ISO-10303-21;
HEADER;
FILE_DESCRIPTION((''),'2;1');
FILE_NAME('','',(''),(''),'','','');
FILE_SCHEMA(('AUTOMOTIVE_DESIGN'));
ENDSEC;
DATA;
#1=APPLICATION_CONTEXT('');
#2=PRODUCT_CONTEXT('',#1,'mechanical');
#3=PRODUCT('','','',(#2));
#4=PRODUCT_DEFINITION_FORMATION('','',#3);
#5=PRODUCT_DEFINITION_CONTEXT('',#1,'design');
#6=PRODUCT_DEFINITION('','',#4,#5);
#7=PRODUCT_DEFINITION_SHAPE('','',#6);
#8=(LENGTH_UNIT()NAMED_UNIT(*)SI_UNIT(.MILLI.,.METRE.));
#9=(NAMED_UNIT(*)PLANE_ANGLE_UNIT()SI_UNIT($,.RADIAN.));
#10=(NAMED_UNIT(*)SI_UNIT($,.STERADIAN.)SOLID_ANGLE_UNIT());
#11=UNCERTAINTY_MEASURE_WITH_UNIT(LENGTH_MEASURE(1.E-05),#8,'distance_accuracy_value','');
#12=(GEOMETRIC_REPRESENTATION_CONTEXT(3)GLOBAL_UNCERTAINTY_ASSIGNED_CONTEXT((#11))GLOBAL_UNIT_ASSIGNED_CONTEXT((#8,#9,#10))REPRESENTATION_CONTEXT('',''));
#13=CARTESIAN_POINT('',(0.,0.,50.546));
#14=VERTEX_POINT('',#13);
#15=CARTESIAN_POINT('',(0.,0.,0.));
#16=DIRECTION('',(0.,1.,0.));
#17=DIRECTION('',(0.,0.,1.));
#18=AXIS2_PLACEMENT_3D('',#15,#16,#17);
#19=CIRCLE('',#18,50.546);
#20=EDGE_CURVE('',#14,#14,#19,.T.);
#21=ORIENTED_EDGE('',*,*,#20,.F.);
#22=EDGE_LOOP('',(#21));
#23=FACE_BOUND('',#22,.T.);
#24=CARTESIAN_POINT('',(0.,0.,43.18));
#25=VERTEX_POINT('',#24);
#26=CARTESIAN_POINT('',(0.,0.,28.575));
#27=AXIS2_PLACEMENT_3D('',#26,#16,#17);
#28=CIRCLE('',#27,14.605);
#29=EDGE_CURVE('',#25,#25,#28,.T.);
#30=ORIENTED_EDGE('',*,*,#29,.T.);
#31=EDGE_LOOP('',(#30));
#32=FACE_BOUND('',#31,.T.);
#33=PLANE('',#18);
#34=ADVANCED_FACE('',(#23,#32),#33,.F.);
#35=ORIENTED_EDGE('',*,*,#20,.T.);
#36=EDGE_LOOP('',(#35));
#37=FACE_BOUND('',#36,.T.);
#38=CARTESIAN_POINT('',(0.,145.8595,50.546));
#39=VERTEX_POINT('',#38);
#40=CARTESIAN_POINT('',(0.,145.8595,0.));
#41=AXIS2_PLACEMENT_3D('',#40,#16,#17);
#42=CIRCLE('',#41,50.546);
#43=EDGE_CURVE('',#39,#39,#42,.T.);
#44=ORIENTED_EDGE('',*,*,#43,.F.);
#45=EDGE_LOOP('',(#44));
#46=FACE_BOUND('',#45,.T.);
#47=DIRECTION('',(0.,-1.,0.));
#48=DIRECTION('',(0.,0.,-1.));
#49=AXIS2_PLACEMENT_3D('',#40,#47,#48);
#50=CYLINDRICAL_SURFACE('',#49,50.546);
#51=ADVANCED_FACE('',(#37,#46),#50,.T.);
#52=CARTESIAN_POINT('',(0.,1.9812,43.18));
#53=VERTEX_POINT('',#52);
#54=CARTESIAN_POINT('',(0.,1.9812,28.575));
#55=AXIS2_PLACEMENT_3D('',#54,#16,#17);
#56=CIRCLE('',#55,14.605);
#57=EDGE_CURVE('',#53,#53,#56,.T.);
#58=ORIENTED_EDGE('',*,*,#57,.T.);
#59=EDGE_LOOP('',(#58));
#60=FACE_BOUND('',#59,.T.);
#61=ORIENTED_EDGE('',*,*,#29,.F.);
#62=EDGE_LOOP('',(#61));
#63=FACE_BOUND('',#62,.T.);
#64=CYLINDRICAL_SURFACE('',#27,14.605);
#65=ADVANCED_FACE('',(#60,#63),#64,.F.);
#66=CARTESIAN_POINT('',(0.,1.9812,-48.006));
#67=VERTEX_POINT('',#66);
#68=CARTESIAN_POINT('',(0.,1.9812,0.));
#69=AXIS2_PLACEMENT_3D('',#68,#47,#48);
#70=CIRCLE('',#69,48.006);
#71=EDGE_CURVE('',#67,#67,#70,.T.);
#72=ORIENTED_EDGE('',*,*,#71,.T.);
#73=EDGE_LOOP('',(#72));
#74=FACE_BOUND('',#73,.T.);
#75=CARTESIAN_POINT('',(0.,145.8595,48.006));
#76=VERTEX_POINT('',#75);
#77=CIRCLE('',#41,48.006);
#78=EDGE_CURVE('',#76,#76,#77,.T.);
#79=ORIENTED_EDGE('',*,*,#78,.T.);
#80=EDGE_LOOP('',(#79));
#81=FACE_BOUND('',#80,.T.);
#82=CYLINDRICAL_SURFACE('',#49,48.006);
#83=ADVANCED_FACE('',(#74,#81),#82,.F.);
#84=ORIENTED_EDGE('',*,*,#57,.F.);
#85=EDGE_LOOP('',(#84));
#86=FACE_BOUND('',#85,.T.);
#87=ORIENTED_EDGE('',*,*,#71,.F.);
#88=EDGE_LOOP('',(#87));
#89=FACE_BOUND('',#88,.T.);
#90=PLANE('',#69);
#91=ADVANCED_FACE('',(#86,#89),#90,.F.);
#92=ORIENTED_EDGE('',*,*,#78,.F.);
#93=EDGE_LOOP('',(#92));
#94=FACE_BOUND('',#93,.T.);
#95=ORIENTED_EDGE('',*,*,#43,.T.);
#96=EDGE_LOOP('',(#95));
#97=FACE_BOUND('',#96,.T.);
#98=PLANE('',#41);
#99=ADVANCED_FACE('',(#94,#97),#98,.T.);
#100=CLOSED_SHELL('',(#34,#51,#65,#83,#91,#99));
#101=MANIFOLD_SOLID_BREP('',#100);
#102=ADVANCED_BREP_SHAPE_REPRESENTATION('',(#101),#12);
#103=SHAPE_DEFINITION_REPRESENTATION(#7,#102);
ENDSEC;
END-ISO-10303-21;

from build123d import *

# Parameters (mm, degrees)
SKETCH1_R           = 50.546
SKETCH1_R_2         = 48.006
BOSS_EXTRUDE1_DEPTH = 145.8595
SKETCH2_R           = 50.546
BOSS_EXTRUDE2_DEPTH = 1.9812
SKETCH3_R           = 14.605
CUT_EXTRUDE1_DEPTH  = 161.657279458


with BuildPart() as part:
    # Sketch1 → Boss-Extrude1 (new body)
    with BuildSketch(Plane(origin=(0, 0, 0), x_dir=(1, 0, 0), z_dir=(0, 1, 0))):
        with Locations(Location((0, 0, 0), (0, 0, 270))):
            Circle(SKETCH1_R)
        with Locations(Location((0, 0, 0), (0, 0, 270))):
            Circle(SKETCH1_R_2, mode=Mode.SUBTRACT)
    extrude(amount=BOSS_EXTRUDE1_DEPTH)

    # Sketch2 → Boss-Extrude2 (add)
    with BuildSketch(Plane.XZ):
        with Locations(Location((0, 0, 0), (0, 0, 90))):
            Circle(SKETCH2_R)
    extrude(amount=-BOSS_EXTRUDE2_DEPTH)

    # Sketch3 → Cut-Extrude1 (cut, through all)
    with BuildSketch(Plane(origin=(0, 1.9812, 0), x_dir=(-1, 0, 0), z_dir=(0, 1, 0))):
        with Locations(Location((0, 28.575, 0), (0, 0, 90))):
            Circle(SKETCH3_R)
    extrude(amount=-CUT_EXTRUDE1_DEPTH, mode=Mode.SUBTRACT)


solid = part.part
